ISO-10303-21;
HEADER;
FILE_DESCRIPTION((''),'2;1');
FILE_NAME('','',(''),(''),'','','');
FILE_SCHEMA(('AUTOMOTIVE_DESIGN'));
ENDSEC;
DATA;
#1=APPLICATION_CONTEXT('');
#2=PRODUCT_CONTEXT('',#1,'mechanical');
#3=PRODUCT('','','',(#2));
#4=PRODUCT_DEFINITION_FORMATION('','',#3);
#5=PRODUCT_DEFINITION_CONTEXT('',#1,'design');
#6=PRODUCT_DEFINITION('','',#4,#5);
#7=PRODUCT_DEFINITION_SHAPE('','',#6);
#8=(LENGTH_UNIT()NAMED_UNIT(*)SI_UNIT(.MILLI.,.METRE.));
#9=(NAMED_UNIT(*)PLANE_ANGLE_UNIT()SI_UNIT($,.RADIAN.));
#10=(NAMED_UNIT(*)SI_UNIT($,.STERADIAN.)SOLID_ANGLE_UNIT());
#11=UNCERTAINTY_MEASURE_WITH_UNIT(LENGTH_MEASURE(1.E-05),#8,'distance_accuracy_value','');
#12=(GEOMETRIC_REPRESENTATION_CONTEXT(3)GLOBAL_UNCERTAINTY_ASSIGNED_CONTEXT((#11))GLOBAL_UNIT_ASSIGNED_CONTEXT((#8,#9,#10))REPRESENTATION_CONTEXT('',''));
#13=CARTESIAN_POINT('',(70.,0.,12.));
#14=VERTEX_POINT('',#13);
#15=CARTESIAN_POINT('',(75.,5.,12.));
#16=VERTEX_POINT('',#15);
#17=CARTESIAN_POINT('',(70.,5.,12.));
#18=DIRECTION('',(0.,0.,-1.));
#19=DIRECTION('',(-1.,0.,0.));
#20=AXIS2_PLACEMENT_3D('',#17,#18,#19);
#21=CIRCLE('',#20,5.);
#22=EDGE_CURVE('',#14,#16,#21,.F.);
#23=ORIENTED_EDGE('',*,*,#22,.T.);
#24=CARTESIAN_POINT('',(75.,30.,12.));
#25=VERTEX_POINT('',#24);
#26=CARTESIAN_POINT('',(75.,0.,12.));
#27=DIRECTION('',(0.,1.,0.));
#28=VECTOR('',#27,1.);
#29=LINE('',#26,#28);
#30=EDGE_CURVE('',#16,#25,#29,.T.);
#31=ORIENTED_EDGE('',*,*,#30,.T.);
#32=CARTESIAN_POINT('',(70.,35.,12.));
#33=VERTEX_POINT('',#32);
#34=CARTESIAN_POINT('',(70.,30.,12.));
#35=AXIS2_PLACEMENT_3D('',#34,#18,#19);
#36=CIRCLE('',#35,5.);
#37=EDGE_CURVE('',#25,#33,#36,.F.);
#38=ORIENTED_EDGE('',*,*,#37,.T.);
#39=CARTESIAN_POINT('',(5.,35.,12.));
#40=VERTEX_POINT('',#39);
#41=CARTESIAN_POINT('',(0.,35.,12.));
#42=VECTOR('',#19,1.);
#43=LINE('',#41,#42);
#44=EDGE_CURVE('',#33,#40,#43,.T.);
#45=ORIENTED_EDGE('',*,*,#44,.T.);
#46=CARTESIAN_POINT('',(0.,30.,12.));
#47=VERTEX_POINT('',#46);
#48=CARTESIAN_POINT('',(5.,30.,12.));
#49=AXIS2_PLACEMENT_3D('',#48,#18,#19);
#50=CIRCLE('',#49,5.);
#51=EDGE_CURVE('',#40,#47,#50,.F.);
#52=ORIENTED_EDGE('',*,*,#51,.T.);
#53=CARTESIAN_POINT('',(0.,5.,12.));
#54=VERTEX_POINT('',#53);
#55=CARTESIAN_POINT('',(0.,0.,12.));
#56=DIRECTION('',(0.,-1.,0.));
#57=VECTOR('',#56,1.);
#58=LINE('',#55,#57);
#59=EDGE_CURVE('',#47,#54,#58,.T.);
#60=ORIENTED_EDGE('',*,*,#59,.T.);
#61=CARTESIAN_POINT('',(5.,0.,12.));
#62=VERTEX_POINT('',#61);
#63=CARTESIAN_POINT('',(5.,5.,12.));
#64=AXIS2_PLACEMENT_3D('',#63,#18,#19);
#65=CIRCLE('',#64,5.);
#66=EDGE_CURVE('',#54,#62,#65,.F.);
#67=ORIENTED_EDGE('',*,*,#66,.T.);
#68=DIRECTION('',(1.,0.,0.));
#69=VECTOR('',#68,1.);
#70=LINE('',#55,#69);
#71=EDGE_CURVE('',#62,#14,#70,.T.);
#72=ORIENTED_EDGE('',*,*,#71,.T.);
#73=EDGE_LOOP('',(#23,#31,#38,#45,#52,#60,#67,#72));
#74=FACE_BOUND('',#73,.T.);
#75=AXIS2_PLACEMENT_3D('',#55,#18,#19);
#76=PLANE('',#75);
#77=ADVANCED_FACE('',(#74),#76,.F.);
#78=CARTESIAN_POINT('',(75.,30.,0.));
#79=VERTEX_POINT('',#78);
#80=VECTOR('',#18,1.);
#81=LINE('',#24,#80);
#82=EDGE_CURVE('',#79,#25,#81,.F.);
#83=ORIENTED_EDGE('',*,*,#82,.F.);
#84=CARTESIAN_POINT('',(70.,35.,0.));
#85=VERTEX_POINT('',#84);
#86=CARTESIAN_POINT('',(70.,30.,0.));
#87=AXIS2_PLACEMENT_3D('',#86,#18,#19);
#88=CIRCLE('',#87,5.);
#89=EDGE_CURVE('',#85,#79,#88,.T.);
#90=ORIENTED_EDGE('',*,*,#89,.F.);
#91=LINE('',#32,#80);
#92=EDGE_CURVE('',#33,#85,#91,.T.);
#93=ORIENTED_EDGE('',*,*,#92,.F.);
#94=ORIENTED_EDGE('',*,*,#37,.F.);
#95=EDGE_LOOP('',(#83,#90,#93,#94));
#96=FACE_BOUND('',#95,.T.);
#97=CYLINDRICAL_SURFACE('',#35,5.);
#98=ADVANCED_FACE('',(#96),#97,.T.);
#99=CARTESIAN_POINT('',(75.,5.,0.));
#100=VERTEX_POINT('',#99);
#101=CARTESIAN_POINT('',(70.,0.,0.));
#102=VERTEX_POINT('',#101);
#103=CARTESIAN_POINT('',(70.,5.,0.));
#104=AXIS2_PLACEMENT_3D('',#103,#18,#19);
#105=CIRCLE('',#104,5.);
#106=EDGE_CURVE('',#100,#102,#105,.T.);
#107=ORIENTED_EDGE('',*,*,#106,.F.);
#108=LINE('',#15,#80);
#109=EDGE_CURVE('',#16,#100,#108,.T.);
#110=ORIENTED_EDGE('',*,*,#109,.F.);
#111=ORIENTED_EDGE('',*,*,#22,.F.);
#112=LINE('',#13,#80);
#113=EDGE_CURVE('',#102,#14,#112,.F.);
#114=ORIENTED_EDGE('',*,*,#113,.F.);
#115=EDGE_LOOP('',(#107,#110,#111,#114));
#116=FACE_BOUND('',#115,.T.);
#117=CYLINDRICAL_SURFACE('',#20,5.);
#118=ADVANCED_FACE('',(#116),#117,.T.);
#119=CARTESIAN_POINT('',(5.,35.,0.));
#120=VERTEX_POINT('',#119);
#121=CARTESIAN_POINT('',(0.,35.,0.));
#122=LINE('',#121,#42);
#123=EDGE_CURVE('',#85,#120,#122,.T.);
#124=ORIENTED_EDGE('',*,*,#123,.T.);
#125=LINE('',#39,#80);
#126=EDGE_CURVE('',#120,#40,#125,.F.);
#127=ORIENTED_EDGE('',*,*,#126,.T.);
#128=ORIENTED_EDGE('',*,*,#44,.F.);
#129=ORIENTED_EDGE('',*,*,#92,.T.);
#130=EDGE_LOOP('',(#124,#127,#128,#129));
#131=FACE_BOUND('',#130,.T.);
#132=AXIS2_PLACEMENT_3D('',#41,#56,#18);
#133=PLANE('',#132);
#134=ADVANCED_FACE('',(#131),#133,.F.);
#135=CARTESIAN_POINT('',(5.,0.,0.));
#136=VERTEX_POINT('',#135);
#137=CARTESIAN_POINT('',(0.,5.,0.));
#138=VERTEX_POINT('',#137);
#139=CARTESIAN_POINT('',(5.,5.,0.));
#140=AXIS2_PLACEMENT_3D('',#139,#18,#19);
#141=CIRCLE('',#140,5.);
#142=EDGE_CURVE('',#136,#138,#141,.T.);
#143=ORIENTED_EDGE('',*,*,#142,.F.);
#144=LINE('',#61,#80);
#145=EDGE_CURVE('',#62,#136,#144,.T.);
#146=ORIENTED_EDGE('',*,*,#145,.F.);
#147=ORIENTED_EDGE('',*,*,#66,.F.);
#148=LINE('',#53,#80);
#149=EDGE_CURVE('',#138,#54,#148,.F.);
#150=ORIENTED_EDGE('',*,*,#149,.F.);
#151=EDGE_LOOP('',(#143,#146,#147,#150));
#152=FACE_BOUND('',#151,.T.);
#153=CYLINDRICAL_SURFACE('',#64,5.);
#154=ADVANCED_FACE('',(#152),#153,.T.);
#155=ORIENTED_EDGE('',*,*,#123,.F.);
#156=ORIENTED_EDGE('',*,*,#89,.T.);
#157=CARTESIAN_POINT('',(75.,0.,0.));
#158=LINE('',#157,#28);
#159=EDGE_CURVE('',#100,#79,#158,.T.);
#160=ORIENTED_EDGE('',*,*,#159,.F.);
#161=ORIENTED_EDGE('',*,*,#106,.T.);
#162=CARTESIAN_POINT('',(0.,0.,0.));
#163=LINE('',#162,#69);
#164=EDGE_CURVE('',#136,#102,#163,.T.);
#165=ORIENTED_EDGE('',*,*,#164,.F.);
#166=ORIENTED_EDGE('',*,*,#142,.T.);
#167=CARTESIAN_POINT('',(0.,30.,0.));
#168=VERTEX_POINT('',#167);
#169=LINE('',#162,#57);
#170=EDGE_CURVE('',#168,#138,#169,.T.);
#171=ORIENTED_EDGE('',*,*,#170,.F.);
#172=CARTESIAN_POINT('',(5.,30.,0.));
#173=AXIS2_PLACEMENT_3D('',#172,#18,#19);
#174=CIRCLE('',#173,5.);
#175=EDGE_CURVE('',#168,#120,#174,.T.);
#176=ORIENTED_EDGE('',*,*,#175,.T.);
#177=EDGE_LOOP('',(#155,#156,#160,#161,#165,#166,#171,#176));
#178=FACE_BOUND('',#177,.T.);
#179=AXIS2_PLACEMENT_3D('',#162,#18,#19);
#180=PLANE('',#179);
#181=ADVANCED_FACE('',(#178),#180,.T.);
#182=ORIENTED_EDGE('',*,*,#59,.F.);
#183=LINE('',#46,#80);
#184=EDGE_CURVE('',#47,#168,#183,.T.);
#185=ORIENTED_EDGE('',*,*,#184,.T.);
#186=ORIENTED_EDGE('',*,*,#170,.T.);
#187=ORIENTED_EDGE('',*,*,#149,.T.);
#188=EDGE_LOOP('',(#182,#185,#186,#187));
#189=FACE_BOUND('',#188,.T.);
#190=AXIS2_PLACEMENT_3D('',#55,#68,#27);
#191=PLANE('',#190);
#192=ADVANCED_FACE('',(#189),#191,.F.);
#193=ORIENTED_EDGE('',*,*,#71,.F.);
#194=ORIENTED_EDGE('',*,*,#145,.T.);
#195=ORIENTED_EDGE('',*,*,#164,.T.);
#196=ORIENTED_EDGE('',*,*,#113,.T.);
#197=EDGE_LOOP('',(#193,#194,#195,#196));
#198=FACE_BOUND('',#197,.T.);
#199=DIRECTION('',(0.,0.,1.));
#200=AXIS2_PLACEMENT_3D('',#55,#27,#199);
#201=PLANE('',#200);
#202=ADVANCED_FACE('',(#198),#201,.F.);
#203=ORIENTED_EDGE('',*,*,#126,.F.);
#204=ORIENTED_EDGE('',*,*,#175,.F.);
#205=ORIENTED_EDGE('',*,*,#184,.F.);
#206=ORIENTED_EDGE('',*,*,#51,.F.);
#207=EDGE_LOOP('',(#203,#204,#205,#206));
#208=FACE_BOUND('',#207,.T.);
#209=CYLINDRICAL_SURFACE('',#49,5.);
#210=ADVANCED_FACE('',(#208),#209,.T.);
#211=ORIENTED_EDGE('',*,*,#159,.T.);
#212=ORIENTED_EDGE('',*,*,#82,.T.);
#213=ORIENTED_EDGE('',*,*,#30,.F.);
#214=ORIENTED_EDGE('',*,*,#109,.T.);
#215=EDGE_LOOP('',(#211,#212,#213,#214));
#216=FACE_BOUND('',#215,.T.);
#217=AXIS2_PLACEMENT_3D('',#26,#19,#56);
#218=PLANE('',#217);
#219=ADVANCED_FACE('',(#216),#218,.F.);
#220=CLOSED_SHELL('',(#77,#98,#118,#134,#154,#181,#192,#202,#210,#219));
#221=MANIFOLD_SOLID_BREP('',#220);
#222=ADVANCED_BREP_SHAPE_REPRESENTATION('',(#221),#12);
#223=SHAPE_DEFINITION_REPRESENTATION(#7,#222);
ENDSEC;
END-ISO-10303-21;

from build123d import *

# Parameters (mm, degrees)
SKETCH1_W           = 75
SKETCH1_H           = 35
BOSS_EXTRUDE1_DEPTH = 12
FILLET1_R           = 5


with BuildPart() as part:
    # Sketch1 → Boss-Extrude1 (new body)
    with BuildSketch(Plane.XY):
        with Locations((37.5, 17.5)):
            Rectangle(SKETCH1_W, SKETCH1_H)
    extrude(amount=BOSS_EXTRUDE1_DEPTH)

    # Fillet1
    fillet1_edges = [part.edges().sort_by_distance(p)[0] for p in [
        (0, 35, 6),
        (75, 35, 6),
        (75, 0, 6),
        (0, 0, 6),
    ]]
    fillet(fillet1_edges, radius=FILLET1_R)


solid = part.part
